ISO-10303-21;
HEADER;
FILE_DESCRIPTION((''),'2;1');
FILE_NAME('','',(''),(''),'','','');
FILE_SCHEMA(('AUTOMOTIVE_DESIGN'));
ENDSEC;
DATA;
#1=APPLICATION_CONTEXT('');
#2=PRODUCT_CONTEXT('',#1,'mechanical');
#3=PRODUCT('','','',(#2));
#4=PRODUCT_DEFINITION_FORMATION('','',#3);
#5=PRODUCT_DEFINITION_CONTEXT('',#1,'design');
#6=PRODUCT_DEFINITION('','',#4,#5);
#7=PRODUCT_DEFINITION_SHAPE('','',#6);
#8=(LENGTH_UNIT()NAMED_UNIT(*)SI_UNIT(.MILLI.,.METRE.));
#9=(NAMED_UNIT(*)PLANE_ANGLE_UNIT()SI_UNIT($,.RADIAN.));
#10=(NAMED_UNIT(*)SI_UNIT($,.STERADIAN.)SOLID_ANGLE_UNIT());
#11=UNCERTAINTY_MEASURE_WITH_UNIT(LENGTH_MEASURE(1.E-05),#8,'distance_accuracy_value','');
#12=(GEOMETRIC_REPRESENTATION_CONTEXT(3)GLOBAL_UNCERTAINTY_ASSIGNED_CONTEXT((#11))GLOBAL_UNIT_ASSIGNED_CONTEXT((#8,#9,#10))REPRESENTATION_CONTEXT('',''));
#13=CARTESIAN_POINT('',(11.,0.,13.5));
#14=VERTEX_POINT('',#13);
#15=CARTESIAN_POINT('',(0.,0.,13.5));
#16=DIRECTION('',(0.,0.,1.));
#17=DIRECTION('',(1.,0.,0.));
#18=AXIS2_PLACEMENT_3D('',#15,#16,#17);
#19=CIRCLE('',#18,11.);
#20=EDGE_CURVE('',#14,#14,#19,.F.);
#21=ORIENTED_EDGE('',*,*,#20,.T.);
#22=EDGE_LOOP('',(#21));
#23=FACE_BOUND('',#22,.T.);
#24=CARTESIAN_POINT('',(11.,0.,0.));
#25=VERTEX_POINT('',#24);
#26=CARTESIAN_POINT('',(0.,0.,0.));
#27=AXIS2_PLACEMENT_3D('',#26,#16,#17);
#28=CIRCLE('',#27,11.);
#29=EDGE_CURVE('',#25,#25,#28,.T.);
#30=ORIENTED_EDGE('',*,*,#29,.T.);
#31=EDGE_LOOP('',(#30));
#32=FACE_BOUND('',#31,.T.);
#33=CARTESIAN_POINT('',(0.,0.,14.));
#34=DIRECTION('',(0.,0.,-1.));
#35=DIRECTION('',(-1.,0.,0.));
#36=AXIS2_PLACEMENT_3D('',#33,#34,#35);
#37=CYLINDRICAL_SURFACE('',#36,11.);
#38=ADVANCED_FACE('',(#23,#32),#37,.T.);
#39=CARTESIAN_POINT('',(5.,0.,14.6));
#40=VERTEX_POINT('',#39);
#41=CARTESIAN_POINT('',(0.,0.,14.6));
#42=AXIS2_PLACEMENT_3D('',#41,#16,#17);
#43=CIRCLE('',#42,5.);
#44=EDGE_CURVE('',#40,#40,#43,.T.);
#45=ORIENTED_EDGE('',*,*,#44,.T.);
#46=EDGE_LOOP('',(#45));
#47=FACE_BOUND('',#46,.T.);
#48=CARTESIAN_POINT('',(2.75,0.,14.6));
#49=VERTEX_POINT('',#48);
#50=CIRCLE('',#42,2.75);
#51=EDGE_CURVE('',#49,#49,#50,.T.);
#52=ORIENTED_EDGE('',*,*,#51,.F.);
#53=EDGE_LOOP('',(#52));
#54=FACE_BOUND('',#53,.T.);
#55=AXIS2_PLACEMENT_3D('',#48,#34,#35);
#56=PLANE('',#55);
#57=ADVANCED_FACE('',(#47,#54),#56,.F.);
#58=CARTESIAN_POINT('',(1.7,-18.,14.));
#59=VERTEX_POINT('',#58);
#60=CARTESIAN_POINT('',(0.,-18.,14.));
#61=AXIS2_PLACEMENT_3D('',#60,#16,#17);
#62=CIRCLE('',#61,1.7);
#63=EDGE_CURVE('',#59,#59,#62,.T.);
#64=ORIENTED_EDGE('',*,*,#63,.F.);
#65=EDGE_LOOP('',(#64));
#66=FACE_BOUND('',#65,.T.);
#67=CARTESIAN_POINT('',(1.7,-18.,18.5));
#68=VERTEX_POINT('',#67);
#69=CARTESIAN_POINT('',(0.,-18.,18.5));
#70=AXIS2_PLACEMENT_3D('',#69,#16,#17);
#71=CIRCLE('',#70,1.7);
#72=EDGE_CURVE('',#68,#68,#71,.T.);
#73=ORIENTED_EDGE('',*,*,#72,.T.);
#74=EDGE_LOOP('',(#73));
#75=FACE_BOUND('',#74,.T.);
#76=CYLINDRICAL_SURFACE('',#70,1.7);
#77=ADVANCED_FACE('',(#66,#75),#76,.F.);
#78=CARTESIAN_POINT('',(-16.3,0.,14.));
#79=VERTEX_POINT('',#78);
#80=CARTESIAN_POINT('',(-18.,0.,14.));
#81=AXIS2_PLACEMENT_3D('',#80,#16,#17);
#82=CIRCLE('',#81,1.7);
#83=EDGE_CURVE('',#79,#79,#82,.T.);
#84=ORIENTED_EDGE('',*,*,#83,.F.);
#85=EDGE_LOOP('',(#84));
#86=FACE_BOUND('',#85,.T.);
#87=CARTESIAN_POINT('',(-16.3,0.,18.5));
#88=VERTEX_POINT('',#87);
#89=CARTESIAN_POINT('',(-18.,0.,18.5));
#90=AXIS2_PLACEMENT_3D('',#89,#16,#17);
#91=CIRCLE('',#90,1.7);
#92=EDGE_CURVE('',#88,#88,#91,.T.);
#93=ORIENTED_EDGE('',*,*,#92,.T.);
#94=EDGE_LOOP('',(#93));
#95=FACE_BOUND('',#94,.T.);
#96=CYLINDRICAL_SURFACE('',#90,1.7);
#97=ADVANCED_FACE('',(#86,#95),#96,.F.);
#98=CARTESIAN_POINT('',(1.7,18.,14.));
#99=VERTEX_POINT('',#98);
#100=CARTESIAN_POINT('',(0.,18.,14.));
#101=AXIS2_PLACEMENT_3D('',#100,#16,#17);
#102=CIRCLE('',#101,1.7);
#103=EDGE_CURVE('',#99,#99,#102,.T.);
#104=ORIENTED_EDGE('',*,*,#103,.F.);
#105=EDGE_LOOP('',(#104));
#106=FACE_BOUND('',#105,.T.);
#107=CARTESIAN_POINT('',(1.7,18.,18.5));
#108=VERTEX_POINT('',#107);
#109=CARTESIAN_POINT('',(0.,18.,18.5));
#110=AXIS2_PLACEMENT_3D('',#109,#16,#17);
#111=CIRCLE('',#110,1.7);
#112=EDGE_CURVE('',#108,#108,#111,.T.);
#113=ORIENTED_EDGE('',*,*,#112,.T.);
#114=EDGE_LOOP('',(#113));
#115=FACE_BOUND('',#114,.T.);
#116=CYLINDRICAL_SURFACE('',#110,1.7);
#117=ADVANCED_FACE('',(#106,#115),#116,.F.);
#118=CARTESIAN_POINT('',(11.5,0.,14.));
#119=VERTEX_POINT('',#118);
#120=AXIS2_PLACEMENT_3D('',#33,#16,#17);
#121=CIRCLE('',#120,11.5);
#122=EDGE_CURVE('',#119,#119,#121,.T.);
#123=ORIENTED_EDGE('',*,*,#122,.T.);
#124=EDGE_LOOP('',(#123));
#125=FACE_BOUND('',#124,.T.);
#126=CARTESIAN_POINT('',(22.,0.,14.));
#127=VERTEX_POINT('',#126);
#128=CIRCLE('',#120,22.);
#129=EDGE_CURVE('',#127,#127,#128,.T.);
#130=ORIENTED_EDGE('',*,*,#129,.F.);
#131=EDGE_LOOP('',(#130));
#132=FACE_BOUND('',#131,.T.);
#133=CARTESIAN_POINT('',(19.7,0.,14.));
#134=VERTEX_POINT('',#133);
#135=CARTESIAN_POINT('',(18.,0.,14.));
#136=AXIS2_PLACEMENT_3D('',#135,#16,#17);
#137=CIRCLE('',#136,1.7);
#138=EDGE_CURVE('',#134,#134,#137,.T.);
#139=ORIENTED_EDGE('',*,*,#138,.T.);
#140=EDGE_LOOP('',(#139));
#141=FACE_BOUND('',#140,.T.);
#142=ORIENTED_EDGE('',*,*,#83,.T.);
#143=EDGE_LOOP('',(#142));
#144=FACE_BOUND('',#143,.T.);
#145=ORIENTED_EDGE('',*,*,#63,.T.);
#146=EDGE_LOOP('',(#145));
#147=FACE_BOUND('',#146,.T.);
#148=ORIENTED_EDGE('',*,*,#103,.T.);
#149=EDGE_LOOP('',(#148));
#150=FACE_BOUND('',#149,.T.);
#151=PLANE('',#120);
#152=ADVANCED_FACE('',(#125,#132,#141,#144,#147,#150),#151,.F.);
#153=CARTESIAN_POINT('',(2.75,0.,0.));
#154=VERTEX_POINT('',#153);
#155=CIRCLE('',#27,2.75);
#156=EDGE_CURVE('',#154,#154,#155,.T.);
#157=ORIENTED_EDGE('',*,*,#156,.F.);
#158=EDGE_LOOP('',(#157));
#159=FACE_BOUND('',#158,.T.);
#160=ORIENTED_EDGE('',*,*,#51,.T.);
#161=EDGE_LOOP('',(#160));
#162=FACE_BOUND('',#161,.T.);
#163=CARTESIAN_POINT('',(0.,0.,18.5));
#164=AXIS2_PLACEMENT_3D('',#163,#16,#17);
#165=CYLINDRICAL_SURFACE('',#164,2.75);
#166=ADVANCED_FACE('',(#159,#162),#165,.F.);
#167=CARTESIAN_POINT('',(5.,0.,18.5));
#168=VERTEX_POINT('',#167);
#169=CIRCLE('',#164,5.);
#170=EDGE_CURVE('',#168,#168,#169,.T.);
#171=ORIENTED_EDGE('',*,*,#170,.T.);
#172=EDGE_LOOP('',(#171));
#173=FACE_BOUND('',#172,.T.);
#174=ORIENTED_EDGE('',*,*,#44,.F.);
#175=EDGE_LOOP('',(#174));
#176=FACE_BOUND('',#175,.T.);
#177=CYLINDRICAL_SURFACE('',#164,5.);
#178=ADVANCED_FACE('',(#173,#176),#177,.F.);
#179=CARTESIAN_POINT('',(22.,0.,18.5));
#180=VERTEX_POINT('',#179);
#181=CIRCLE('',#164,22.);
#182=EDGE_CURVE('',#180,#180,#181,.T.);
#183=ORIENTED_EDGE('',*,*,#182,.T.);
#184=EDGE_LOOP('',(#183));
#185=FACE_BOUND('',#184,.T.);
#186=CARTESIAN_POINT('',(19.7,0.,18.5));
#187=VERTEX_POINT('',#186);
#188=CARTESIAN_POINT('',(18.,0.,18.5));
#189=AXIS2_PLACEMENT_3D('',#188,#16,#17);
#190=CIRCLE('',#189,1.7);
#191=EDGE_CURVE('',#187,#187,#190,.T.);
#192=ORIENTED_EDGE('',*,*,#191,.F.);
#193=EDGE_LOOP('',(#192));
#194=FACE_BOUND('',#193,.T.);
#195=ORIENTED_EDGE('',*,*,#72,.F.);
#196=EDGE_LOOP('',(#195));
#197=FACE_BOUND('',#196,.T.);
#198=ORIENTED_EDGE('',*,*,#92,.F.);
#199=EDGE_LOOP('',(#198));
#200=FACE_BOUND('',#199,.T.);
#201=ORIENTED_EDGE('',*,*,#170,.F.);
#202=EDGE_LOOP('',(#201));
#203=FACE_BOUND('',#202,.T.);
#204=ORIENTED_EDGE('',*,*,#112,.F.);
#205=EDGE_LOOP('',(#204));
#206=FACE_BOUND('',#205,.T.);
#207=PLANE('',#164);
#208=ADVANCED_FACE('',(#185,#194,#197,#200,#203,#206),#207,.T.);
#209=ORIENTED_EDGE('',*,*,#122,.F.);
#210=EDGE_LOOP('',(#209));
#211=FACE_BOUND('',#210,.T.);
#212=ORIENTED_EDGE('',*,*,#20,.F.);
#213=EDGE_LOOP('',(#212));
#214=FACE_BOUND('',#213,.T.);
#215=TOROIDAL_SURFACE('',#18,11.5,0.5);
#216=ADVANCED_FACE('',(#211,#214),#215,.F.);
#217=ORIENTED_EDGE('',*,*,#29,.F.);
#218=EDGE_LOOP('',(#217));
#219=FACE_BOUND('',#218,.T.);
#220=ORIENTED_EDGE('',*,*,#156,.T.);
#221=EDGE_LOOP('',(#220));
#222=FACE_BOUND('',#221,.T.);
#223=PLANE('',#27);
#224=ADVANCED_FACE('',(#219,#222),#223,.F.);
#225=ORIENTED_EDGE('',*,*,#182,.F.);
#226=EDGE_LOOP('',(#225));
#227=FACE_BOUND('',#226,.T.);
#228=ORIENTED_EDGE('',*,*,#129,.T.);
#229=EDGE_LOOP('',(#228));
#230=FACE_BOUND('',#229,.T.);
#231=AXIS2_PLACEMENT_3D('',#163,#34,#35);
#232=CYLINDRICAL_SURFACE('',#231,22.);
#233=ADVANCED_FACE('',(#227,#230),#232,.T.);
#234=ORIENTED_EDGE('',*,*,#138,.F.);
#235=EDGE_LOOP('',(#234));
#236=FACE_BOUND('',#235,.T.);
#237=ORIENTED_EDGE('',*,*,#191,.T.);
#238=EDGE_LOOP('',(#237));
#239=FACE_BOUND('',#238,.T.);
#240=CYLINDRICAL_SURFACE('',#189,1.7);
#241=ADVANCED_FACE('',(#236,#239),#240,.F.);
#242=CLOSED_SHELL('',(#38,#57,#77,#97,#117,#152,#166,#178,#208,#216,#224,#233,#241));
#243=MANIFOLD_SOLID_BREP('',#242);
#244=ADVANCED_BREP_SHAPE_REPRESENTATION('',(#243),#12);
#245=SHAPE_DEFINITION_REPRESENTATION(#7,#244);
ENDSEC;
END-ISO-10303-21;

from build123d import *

# Parameters (mm, degrees)
SKETCH1_R                                            = 11
BOSS_EXTRUDE1_DEPTH                                  = 14
SKETCH2_R                                            = 22
BOSS_EXTRUDE2_DEPTH                                  = 4.5
M3_CLEARANCE_HOLE1_D                                 = 3.4
CBORE_FOR_M5_HEX_SOCKET_THIN_HEAD_CAP_SC_D           = 5.5
CBORE_FOR_M5_HEX_SOCKET_THIN_HEAD_CAP_SC_CBORE_D     = 10
CBORE_FOR_M5_HEX_SOCKET_THIN_HEAD_CAP_SC_CBORE_DEPTH = 3.9
FILLET1_R                                            = 0.5


with BuildPart() as part:
    # Sketch1 → Boss-Extrude1 (new body)
    with BuildSketch(Plane.XY):
        Circle(SKETCH1_R)
    extrude(amount=BOSS_EXTRUDE1_DEPTH)

    # Sketch2 → Boss-Extrude2 (add)
    with BuildSketch(Plane.XY.offset(14)):
        Circle(SKETCH2_R)
    extrude(amount=BOSS_EXTRUDE2_DEPTH)

    # M3 Clearance Hole1 (through all)
    with Locations(Plane.XY.offset(18.5)):
        with Locations((-18, 0), (0, 18), (18, 0), (0, -18)):
            Hole(M3_CLEARANCE_HOLE1_D / 2)

    # CBORE for M5 Hex Socket Thin Head Cap Screw1 (through all)
    with Locations(Plane.XY.offset(18.5)):
        with Locations((0, 0)):
            CounterBoreHole(CBORE_FOR_M5_HEX_SOCKET_THIN_HEAD_CAP_SC_D / 2, CBORE_FOR_M5_HEX_SOCKET_THIN_HEAD_CAP_SC_CBORE_D / 2, CBORE_FOR_M5_HEX_SOCKET_THIN_HEAD_CAP_SC_CBORE_DEPTH)

    # Fillet1
    fillet1_edges = [part.edges().sort_by_distance(p)[0] for p in [
        (-11, 0, 14),
    ]]
    fillet(fillet1_edges, radius=FILLET1_R)


solid = part.part
